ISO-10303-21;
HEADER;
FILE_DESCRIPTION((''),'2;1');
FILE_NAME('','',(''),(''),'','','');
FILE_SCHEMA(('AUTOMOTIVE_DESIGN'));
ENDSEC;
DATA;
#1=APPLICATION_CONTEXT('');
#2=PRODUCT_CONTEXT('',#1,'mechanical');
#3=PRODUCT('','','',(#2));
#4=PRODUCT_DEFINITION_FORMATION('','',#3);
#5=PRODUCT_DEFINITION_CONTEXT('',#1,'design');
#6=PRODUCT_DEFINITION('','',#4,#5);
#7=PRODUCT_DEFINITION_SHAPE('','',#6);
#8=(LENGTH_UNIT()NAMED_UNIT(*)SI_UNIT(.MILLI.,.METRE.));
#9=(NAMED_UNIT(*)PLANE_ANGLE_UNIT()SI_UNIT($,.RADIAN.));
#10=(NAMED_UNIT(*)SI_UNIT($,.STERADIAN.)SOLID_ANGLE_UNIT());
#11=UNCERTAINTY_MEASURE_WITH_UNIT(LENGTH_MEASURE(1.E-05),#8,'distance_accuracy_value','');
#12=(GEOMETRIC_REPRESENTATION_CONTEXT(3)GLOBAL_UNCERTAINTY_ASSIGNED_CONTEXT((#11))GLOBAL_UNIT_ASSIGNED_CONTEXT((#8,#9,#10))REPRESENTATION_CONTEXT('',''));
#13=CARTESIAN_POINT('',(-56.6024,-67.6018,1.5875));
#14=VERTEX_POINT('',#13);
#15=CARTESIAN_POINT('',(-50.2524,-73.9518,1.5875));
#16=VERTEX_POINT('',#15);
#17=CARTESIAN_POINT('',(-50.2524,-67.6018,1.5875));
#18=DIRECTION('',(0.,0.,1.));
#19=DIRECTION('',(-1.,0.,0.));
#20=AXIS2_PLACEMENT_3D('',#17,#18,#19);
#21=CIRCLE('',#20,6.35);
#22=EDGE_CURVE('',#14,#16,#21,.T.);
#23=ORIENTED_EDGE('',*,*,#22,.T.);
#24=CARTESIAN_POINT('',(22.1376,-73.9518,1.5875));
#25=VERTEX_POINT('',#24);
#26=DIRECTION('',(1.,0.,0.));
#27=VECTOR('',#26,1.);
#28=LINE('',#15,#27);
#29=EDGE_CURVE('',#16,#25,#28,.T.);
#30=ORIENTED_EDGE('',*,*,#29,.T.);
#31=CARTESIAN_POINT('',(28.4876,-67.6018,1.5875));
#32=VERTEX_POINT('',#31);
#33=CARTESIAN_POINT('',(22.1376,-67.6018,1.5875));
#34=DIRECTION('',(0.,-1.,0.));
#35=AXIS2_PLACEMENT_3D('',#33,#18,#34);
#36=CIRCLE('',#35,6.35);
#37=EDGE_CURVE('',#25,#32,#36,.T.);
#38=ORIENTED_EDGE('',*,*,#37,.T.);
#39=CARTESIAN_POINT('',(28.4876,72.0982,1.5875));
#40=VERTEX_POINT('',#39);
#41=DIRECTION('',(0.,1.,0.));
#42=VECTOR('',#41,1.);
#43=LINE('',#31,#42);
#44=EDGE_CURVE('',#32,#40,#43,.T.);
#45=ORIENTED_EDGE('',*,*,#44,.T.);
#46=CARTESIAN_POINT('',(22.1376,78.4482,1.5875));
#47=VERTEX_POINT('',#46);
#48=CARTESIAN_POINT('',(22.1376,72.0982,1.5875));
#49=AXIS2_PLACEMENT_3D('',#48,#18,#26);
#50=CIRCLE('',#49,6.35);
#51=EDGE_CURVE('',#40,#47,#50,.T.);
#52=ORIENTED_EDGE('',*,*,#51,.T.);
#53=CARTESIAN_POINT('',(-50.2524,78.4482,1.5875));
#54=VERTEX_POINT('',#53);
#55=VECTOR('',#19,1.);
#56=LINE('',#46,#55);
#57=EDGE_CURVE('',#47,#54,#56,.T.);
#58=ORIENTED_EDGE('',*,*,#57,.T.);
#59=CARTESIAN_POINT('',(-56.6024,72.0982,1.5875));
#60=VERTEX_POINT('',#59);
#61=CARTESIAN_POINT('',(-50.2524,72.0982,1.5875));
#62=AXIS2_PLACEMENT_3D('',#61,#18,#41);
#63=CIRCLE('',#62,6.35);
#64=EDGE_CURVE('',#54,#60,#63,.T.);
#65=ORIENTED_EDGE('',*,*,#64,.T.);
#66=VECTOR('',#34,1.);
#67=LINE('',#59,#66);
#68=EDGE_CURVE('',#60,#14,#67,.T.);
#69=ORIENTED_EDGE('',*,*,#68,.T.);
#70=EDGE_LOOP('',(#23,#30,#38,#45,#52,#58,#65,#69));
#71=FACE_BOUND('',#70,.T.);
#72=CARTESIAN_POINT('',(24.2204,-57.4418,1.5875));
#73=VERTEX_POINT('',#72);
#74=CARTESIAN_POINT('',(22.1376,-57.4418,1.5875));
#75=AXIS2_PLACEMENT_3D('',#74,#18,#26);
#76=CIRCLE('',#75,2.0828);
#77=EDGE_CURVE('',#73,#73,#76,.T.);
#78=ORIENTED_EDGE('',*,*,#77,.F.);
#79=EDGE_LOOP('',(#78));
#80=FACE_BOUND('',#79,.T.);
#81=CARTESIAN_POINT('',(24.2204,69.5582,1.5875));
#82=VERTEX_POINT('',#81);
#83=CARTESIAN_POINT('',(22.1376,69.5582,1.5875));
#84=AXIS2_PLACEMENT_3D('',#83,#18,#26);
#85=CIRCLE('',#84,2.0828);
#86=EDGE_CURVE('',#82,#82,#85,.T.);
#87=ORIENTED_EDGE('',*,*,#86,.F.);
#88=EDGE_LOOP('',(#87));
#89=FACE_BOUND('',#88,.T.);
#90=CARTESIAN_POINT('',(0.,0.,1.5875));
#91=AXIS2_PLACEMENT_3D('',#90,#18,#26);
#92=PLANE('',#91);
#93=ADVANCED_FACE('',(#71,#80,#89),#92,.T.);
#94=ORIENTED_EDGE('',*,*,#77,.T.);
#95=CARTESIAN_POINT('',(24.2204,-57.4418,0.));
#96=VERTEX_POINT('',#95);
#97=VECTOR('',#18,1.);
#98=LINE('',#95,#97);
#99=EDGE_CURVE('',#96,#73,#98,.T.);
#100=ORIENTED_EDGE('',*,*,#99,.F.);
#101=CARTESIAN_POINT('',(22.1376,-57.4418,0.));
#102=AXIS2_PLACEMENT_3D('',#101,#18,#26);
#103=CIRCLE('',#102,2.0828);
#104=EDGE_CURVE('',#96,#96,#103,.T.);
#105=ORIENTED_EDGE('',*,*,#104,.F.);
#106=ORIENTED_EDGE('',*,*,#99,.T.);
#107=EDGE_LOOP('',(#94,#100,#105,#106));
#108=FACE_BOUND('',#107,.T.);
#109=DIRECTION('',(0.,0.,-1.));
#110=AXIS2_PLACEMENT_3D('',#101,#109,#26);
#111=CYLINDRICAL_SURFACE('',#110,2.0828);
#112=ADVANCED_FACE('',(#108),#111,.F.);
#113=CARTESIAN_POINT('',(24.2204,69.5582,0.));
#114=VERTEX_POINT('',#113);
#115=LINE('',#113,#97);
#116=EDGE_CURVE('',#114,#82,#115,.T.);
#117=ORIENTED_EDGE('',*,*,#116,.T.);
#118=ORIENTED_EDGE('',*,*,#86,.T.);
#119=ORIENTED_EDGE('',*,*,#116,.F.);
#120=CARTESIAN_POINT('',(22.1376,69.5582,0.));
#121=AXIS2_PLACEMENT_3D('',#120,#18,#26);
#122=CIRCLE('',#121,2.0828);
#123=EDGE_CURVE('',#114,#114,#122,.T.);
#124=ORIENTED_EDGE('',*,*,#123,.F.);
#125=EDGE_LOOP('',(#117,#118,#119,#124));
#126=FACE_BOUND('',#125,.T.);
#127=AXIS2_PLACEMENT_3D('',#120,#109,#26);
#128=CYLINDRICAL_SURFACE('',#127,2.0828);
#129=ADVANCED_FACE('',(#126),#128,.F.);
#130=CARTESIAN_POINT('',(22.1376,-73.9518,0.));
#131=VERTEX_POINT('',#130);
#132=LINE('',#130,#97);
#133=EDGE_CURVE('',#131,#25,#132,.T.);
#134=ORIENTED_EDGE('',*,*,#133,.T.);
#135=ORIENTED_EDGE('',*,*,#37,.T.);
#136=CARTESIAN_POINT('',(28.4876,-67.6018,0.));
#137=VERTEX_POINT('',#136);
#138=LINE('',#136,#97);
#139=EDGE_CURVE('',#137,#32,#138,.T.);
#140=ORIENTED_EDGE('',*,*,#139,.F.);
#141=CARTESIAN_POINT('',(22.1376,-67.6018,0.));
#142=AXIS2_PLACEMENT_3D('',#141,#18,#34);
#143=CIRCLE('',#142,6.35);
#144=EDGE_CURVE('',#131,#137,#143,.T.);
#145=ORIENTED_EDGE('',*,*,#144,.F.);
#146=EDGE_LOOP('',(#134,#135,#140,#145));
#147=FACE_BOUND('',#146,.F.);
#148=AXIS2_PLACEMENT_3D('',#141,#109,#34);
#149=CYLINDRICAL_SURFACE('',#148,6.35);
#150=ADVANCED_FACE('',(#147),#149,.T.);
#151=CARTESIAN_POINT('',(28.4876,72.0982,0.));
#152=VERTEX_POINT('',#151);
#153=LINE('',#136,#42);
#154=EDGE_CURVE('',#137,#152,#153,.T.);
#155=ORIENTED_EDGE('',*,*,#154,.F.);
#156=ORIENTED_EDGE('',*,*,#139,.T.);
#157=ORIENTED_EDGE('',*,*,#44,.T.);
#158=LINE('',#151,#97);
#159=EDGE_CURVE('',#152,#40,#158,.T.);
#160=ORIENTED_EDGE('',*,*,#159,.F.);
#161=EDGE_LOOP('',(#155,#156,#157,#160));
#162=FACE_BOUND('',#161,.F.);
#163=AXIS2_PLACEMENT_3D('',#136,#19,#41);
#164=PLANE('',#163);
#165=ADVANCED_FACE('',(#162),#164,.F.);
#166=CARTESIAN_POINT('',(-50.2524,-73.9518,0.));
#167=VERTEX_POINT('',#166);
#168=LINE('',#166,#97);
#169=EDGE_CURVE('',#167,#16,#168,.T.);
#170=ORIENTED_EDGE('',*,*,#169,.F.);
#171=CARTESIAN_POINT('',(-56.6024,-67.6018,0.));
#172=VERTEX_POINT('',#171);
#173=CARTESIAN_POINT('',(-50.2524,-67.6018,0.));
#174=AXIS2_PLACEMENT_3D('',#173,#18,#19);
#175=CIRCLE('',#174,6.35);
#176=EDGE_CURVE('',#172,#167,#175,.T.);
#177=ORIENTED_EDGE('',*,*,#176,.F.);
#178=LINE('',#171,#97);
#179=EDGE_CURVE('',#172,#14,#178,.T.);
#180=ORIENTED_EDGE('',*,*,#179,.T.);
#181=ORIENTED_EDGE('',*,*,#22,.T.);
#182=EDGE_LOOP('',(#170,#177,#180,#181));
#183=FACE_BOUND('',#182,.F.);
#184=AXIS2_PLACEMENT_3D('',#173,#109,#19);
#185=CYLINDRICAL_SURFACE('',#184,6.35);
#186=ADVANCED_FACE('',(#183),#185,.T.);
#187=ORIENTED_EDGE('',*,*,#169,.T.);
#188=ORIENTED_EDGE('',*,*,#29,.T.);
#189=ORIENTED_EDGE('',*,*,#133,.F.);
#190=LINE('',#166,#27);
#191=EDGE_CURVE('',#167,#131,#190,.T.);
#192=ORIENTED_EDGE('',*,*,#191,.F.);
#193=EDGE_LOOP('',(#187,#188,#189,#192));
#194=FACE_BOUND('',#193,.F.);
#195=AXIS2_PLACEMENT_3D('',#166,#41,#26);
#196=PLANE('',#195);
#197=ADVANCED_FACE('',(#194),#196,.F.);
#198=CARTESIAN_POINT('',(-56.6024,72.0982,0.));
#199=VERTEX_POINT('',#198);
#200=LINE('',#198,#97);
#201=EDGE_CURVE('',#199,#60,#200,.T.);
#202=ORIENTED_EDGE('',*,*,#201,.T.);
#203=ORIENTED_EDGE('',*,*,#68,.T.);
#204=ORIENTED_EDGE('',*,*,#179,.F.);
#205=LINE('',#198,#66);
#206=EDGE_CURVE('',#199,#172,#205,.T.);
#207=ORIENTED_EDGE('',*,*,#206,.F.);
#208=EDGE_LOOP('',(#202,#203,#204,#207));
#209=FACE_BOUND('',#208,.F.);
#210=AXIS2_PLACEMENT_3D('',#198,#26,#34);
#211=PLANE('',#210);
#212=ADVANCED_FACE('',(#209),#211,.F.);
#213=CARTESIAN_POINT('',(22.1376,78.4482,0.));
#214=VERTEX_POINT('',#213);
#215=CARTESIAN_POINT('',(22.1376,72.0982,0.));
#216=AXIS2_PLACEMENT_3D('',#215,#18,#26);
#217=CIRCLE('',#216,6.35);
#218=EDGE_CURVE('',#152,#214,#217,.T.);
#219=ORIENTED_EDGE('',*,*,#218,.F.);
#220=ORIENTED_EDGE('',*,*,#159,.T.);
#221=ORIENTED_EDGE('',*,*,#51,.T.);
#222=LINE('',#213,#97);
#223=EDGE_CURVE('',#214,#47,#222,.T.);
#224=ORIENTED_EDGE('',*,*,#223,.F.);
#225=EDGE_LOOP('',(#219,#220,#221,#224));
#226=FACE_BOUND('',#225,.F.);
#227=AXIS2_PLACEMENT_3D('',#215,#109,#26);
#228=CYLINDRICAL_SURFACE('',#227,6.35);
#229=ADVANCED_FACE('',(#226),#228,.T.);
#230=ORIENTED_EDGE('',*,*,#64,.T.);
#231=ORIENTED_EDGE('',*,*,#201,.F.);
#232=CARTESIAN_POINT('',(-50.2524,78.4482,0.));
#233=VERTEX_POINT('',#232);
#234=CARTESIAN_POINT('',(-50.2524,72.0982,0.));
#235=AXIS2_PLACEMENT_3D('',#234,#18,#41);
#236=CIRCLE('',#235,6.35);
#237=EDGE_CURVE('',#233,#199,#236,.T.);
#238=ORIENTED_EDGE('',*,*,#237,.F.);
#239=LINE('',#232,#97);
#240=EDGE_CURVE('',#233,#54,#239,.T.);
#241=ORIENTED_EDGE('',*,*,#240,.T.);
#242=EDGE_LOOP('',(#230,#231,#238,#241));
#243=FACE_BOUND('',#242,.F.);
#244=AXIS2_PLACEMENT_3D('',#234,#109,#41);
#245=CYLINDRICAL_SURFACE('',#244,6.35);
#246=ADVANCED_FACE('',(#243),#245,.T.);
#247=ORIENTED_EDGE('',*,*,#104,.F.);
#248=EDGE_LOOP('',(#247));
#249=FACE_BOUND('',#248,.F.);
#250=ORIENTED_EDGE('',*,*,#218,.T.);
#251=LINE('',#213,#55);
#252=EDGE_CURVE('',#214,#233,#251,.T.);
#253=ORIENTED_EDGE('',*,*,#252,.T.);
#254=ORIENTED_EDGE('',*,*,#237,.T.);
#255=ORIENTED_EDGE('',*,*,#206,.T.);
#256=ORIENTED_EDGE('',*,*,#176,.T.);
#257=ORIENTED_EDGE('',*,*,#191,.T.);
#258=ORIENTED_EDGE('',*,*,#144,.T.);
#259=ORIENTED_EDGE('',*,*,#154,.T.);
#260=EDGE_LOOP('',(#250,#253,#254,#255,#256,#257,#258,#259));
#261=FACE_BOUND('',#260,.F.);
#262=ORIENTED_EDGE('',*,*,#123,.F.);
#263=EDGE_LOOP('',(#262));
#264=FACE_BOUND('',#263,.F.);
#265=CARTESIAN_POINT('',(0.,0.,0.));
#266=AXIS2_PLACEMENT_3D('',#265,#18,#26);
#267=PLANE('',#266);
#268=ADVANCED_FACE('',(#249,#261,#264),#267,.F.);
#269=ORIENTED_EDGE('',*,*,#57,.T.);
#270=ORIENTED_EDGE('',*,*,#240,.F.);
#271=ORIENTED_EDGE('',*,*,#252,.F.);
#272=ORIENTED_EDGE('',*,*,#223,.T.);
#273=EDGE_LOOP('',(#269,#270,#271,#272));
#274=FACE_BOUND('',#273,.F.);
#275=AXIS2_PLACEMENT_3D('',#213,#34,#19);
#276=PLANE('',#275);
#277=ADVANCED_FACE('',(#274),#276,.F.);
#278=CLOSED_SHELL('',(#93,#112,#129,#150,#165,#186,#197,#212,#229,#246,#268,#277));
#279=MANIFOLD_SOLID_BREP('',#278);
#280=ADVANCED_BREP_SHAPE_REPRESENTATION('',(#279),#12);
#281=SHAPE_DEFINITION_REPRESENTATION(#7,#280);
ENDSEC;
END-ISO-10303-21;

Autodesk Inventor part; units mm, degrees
ref_plane "YZ Plane" through (0, 0, 0) normal (1, 0, 0) x (0, 1, 0)
ref_plane "XZ Plane" through (0, 0, 0) normal (0, 1, 0) x (-1, 0, 0)
ref_plane "XY Plane" through (0, 0, 0) normal (0, 0, 1) x (1, 0, 0)
sketch "Sketch1" plane through (0, 0, 0) normal (0, 0, 1) x (1, 0, 0)
  line L0 (-50.2524, -73.9518) -> (22.1376, -73.9518)
  line L1 (28.4876, -67.6018) -> (28.4876, 72.0982)
  line L2 (22.1376, 78.4482) -> (-50.2524, 78.4482)
  line L3 (-56.6024, 72.0982) -> (-56.6024, -67.6018)
  line L4 (22.1376, -57.4418) -> (22.1376, 69.5582) construction
  circle A0 centre (22.1376, -57.4418) radius 2.0828
  circle A1 centre (22.1376, 69.5582) radius 2.0828
  arc A2 (22.1376, -73.9518) -> (28.4876, -67.6018) centre (22.1376, -67.6018) ccw
  arc A3 (28.4876, 72.0982) -> (22.1376, 78.4482) centre (22.1376, 72.0982) ccw
  arc A4 (-50.2524, 78.4482) -> (-56.6024, 72.0982) centre (-50.2524, 72.0982) ccw
  arc A5 (-56.6024, -67.6018) -> (-50.2524, -73.9518) centre (-50.2524, -67.6018) ccw
  point P0 (0, 0)
  point P1 (-56.6024, -73.9518)
  point P2 (28.4876, 78.4482)
  point P3 (28.4876, -73.9518)
  point P4 (-56.6024, 78.4482)
  dimension "d0" = 85.09
  dimension "d1" = 152.4
  dimension "d2" = 127
  dimension "d3" = 6.35
  dimension "d4" = 16.51
  dimension "d5" = 4.1656
  dimension "d6" = 4.1656
  dimension "d9" = 6.35
extrude "Extrusion1" add sketch "Sketch1" along normal blind 1.5875
properties part number "Cata basket polycarb" material "Polycarbonate, Clear"
